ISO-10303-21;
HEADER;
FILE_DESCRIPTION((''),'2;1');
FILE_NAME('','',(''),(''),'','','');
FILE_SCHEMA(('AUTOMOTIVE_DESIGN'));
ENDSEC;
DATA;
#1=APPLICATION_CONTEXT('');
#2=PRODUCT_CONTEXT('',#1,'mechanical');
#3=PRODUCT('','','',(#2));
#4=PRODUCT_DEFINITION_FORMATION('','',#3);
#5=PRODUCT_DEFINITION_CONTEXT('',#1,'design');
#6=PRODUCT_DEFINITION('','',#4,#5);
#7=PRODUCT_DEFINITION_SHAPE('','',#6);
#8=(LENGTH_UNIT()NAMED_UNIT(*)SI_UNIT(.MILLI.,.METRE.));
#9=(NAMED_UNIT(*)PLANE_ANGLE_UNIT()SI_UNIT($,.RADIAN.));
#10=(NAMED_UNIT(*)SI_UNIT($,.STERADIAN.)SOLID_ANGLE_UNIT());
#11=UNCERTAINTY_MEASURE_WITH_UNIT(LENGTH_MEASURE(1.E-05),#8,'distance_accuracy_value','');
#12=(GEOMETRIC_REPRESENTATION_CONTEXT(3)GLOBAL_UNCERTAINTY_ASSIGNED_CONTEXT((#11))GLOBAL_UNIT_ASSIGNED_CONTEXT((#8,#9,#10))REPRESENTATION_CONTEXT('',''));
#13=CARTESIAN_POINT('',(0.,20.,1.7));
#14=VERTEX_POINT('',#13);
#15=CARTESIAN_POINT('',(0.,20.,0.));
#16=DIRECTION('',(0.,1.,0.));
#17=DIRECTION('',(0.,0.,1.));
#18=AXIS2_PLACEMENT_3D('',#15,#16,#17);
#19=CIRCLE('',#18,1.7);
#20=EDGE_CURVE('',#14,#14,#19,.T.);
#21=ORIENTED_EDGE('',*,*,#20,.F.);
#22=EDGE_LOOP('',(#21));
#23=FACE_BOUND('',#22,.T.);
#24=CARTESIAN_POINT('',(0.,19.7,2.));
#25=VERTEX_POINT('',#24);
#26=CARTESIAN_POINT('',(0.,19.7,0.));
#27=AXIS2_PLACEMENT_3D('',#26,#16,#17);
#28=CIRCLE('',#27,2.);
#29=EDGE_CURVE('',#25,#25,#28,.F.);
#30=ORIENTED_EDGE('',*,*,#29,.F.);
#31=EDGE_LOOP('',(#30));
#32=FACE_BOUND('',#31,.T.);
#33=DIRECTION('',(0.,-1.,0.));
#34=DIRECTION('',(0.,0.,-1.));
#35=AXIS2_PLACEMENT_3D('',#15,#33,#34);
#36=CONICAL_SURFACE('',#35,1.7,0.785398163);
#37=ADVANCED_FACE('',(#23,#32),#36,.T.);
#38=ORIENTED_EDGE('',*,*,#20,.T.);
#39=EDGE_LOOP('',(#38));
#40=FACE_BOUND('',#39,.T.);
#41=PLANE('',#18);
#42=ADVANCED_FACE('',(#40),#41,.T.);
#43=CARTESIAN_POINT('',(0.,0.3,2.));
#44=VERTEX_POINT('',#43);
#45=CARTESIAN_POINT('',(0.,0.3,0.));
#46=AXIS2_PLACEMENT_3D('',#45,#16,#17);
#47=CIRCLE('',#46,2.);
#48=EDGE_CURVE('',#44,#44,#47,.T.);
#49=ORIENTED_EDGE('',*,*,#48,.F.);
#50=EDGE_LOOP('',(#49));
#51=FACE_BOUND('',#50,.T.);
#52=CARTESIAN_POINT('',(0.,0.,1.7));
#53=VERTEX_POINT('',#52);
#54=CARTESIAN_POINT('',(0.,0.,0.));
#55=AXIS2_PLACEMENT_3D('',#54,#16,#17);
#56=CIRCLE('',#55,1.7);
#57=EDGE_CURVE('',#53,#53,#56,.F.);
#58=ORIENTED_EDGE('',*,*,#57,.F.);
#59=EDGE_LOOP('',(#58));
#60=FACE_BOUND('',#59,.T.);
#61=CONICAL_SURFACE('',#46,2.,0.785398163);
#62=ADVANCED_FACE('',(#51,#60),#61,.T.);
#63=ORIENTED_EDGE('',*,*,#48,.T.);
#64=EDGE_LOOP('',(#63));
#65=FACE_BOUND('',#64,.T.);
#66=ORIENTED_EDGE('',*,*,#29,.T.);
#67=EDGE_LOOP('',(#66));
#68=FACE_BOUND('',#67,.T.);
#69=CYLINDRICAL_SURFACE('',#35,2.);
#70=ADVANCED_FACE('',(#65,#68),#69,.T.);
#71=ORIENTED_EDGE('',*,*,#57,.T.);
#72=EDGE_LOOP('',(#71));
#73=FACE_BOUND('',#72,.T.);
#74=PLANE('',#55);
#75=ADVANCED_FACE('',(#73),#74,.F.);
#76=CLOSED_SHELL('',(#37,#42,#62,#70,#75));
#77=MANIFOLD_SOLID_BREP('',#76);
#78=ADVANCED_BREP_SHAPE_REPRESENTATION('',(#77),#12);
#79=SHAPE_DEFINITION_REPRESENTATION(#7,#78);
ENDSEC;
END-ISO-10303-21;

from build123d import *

# Parameters (mm, degrees)
SKETCH_1_R      = 2
EXTRUDE_1_DEPTH = 20
CHAMFER_1_SIZE  = 0.3


with BuildPart() as part:
    # 草图1 → 凸台-拉伸1 (new body)
    with BuildSketch(Plane(origin=(0, 0, 0), x_dir=(1, 0, 0), z_dir=(0, 1, 0))):
        with Locations(Location((0, 0, 0), (0, 0, 270))):
            Circle(SKETCH_1_R)
    extrude(amount=EXTRUDE_1_DEPTH)

    # 倒角1
    chamfer_1_edges = [part.edges().sort_by_distance(p)[0] for p in [
        (0, 0, -2),
        (0, 20, -2),
    ]]
    chamfer(chamfer_1_edges, length=CHAMFER_1_SIZE)


solid = part.part
